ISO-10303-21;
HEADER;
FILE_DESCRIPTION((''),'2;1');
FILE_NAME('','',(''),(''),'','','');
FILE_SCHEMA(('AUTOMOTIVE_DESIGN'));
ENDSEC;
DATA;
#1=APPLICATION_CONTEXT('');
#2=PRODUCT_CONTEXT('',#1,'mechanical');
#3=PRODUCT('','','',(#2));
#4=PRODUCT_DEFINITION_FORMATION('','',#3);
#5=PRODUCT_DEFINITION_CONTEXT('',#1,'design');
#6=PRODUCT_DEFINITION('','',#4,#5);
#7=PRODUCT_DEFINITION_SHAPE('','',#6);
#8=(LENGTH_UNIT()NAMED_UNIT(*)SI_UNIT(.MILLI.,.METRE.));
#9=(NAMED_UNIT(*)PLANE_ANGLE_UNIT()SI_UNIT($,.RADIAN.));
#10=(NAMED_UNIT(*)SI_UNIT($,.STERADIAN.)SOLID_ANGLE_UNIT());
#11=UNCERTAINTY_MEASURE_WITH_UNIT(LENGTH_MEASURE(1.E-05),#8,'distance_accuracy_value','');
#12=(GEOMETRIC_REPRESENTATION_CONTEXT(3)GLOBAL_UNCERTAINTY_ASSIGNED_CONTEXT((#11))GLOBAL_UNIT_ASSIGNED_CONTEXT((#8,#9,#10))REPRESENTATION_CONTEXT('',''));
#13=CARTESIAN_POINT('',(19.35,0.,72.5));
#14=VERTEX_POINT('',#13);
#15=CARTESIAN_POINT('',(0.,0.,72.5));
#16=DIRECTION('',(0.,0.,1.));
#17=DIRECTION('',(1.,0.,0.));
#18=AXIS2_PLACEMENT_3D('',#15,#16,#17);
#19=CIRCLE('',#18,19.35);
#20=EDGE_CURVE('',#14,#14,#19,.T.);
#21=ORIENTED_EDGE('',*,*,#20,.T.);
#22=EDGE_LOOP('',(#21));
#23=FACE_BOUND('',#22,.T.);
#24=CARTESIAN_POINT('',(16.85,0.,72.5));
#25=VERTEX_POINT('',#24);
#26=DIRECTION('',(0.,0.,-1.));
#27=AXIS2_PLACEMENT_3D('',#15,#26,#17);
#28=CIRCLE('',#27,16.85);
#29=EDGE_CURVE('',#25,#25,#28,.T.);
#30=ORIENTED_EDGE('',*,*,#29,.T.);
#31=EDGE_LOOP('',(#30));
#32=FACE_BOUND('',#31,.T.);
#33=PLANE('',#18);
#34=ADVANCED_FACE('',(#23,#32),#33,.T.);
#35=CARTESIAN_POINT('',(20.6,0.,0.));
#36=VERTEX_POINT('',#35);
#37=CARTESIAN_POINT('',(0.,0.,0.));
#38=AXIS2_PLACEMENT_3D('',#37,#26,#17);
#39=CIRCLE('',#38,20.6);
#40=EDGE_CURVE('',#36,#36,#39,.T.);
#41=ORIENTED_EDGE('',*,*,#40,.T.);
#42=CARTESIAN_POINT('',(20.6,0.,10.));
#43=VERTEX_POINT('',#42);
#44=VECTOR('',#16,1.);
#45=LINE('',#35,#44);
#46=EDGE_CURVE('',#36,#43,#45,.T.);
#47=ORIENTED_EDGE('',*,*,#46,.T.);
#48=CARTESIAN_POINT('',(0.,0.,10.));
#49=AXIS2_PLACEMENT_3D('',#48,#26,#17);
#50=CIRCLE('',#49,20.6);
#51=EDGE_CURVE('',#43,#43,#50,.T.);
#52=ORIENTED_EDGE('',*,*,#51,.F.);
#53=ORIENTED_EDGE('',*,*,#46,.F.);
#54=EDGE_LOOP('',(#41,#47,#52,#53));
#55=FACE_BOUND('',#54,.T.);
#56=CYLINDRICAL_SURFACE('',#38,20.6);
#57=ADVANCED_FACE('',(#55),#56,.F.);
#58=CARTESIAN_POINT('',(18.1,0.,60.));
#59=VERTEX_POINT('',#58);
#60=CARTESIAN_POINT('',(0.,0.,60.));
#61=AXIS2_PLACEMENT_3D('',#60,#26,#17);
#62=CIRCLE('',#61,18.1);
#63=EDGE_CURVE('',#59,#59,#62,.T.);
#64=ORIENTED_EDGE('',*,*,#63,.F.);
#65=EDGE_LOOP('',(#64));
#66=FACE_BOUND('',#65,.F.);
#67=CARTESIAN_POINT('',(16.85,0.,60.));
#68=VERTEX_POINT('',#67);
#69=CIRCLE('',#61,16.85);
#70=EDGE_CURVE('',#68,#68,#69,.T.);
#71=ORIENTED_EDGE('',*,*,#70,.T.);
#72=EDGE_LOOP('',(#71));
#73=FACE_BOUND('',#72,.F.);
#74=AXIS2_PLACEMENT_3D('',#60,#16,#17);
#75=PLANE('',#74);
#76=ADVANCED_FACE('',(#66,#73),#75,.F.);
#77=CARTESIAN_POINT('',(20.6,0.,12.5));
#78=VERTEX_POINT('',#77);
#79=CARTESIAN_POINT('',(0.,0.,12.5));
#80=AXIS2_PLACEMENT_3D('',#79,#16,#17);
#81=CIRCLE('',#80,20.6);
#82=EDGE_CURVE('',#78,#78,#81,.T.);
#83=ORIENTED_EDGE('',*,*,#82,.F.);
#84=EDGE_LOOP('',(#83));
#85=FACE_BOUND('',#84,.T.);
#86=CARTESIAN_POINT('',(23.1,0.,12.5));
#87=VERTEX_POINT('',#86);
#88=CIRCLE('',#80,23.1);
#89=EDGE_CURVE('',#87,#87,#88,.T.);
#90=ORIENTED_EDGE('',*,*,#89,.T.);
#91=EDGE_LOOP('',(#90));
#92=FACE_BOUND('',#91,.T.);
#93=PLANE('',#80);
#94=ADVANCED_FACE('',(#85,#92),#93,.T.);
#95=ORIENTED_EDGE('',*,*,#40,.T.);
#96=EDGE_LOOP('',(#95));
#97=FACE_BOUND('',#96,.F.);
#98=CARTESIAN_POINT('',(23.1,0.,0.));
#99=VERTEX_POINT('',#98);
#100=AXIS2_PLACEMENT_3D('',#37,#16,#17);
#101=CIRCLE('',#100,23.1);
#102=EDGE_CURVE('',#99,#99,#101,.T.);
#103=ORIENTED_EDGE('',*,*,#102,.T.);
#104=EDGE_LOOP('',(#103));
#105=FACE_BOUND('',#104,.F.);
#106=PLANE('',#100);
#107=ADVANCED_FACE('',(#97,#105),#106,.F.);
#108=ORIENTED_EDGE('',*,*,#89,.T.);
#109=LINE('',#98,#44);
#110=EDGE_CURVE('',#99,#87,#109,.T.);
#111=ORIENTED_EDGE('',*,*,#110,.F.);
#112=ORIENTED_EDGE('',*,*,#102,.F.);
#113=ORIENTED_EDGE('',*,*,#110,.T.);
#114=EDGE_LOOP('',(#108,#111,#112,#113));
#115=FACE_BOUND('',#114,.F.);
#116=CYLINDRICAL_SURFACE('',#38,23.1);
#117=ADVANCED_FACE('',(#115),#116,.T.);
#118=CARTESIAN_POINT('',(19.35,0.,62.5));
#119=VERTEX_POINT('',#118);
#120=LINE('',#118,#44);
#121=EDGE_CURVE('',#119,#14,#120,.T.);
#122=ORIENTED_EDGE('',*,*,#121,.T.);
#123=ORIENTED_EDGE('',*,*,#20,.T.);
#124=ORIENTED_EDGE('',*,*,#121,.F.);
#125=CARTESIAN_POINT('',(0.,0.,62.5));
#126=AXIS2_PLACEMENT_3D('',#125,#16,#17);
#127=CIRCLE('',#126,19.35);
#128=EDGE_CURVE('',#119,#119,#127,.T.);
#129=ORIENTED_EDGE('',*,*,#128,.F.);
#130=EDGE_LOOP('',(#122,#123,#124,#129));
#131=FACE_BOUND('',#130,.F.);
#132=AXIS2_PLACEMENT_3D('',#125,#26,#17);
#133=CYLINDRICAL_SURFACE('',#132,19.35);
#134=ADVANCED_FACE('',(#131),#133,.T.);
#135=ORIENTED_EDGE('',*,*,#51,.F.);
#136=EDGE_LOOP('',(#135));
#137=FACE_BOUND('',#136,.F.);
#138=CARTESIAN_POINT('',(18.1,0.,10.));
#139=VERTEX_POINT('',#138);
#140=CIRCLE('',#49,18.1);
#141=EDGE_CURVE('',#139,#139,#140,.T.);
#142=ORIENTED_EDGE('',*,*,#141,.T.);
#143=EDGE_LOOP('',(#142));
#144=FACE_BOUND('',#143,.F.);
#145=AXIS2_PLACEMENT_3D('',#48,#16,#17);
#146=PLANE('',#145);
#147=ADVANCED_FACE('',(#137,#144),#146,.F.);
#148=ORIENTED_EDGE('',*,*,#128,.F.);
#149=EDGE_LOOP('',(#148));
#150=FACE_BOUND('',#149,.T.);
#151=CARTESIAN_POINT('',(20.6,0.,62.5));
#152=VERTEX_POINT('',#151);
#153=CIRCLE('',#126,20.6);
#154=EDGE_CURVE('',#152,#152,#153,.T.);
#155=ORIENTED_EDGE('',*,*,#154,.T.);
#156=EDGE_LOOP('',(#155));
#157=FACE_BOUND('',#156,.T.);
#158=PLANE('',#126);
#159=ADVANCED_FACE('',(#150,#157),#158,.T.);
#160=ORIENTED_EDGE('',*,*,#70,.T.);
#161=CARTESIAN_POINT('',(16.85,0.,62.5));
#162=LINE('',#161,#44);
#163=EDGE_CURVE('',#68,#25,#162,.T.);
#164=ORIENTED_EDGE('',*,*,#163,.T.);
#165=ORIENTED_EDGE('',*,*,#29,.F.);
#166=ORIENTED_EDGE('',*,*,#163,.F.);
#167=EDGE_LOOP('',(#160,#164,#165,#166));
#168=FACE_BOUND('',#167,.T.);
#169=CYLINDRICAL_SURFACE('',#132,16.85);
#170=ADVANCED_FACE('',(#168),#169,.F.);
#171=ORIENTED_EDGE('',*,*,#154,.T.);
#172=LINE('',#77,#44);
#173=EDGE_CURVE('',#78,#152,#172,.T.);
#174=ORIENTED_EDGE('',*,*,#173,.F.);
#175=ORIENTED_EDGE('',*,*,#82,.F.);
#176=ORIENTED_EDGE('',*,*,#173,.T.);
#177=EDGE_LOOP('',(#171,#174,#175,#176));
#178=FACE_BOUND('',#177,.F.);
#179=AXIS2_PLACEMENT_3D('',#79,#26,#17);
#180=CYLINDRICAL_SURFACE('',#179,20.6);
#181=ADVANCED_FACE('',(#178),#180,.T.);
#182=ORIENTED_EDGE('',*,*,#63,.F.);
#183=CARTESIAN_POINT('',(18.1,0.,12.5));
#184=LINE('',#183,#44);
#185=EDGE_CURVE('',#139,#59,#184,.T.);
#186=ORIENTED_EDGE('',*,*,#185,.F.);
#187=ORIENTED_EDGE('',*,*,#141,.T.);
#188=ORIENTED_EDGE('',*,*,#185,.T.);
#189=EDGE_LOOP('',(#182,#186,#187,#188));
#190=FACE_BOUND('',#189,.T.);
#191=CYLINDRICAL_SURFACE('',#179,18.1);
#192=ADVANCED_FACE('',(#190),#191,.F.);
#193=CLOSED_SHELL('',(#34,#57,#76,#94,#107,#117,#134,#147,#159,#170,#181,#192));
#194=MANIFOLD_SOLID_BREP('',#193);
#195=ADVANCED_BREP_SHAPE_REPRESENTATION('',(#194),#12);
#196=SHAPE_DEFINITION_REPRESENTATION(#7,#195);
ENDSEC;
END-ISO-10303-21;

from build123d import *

# Parameters (mm, degrees)
F0_R     = 23.1
F1_DEPTH = 12.5
F2_R     = 20.6
F3_DEPTH = 50
F4_R     = 19.35
F5_DEPTH = 10
F6_T     = -2.5


with BuildPart() as f1:
    # F0 (on Top) → F1 (new body)
    with BuildSketch(Plane.XY):
        Circle(F0_R)
    extrude(amount=F1_DEPTH)

    # F2 (on face) → F3 (join)
    with BuildSketch(Plane.XY.offset(12.5)):
        Circle(F2_R)
    extrude(amount=F3_DEPTH)

    # F4 (on face) → F5 (join)
    with BuildSketch(Plane.XY.offset(62.5)):
        Circle(F4_R)
    extrude(amount=F5_DEPTH)

    # F6
    f6_openings = [f1.faces().sort_by_distance(p)[0] for p in [
        (0, 0, 72.5),
        (0, 0, 0),
    ]]
    offset(amount=F6_T, openings=f6_openings, kind=Kind.INTERSECTION)


solid = f1.part
